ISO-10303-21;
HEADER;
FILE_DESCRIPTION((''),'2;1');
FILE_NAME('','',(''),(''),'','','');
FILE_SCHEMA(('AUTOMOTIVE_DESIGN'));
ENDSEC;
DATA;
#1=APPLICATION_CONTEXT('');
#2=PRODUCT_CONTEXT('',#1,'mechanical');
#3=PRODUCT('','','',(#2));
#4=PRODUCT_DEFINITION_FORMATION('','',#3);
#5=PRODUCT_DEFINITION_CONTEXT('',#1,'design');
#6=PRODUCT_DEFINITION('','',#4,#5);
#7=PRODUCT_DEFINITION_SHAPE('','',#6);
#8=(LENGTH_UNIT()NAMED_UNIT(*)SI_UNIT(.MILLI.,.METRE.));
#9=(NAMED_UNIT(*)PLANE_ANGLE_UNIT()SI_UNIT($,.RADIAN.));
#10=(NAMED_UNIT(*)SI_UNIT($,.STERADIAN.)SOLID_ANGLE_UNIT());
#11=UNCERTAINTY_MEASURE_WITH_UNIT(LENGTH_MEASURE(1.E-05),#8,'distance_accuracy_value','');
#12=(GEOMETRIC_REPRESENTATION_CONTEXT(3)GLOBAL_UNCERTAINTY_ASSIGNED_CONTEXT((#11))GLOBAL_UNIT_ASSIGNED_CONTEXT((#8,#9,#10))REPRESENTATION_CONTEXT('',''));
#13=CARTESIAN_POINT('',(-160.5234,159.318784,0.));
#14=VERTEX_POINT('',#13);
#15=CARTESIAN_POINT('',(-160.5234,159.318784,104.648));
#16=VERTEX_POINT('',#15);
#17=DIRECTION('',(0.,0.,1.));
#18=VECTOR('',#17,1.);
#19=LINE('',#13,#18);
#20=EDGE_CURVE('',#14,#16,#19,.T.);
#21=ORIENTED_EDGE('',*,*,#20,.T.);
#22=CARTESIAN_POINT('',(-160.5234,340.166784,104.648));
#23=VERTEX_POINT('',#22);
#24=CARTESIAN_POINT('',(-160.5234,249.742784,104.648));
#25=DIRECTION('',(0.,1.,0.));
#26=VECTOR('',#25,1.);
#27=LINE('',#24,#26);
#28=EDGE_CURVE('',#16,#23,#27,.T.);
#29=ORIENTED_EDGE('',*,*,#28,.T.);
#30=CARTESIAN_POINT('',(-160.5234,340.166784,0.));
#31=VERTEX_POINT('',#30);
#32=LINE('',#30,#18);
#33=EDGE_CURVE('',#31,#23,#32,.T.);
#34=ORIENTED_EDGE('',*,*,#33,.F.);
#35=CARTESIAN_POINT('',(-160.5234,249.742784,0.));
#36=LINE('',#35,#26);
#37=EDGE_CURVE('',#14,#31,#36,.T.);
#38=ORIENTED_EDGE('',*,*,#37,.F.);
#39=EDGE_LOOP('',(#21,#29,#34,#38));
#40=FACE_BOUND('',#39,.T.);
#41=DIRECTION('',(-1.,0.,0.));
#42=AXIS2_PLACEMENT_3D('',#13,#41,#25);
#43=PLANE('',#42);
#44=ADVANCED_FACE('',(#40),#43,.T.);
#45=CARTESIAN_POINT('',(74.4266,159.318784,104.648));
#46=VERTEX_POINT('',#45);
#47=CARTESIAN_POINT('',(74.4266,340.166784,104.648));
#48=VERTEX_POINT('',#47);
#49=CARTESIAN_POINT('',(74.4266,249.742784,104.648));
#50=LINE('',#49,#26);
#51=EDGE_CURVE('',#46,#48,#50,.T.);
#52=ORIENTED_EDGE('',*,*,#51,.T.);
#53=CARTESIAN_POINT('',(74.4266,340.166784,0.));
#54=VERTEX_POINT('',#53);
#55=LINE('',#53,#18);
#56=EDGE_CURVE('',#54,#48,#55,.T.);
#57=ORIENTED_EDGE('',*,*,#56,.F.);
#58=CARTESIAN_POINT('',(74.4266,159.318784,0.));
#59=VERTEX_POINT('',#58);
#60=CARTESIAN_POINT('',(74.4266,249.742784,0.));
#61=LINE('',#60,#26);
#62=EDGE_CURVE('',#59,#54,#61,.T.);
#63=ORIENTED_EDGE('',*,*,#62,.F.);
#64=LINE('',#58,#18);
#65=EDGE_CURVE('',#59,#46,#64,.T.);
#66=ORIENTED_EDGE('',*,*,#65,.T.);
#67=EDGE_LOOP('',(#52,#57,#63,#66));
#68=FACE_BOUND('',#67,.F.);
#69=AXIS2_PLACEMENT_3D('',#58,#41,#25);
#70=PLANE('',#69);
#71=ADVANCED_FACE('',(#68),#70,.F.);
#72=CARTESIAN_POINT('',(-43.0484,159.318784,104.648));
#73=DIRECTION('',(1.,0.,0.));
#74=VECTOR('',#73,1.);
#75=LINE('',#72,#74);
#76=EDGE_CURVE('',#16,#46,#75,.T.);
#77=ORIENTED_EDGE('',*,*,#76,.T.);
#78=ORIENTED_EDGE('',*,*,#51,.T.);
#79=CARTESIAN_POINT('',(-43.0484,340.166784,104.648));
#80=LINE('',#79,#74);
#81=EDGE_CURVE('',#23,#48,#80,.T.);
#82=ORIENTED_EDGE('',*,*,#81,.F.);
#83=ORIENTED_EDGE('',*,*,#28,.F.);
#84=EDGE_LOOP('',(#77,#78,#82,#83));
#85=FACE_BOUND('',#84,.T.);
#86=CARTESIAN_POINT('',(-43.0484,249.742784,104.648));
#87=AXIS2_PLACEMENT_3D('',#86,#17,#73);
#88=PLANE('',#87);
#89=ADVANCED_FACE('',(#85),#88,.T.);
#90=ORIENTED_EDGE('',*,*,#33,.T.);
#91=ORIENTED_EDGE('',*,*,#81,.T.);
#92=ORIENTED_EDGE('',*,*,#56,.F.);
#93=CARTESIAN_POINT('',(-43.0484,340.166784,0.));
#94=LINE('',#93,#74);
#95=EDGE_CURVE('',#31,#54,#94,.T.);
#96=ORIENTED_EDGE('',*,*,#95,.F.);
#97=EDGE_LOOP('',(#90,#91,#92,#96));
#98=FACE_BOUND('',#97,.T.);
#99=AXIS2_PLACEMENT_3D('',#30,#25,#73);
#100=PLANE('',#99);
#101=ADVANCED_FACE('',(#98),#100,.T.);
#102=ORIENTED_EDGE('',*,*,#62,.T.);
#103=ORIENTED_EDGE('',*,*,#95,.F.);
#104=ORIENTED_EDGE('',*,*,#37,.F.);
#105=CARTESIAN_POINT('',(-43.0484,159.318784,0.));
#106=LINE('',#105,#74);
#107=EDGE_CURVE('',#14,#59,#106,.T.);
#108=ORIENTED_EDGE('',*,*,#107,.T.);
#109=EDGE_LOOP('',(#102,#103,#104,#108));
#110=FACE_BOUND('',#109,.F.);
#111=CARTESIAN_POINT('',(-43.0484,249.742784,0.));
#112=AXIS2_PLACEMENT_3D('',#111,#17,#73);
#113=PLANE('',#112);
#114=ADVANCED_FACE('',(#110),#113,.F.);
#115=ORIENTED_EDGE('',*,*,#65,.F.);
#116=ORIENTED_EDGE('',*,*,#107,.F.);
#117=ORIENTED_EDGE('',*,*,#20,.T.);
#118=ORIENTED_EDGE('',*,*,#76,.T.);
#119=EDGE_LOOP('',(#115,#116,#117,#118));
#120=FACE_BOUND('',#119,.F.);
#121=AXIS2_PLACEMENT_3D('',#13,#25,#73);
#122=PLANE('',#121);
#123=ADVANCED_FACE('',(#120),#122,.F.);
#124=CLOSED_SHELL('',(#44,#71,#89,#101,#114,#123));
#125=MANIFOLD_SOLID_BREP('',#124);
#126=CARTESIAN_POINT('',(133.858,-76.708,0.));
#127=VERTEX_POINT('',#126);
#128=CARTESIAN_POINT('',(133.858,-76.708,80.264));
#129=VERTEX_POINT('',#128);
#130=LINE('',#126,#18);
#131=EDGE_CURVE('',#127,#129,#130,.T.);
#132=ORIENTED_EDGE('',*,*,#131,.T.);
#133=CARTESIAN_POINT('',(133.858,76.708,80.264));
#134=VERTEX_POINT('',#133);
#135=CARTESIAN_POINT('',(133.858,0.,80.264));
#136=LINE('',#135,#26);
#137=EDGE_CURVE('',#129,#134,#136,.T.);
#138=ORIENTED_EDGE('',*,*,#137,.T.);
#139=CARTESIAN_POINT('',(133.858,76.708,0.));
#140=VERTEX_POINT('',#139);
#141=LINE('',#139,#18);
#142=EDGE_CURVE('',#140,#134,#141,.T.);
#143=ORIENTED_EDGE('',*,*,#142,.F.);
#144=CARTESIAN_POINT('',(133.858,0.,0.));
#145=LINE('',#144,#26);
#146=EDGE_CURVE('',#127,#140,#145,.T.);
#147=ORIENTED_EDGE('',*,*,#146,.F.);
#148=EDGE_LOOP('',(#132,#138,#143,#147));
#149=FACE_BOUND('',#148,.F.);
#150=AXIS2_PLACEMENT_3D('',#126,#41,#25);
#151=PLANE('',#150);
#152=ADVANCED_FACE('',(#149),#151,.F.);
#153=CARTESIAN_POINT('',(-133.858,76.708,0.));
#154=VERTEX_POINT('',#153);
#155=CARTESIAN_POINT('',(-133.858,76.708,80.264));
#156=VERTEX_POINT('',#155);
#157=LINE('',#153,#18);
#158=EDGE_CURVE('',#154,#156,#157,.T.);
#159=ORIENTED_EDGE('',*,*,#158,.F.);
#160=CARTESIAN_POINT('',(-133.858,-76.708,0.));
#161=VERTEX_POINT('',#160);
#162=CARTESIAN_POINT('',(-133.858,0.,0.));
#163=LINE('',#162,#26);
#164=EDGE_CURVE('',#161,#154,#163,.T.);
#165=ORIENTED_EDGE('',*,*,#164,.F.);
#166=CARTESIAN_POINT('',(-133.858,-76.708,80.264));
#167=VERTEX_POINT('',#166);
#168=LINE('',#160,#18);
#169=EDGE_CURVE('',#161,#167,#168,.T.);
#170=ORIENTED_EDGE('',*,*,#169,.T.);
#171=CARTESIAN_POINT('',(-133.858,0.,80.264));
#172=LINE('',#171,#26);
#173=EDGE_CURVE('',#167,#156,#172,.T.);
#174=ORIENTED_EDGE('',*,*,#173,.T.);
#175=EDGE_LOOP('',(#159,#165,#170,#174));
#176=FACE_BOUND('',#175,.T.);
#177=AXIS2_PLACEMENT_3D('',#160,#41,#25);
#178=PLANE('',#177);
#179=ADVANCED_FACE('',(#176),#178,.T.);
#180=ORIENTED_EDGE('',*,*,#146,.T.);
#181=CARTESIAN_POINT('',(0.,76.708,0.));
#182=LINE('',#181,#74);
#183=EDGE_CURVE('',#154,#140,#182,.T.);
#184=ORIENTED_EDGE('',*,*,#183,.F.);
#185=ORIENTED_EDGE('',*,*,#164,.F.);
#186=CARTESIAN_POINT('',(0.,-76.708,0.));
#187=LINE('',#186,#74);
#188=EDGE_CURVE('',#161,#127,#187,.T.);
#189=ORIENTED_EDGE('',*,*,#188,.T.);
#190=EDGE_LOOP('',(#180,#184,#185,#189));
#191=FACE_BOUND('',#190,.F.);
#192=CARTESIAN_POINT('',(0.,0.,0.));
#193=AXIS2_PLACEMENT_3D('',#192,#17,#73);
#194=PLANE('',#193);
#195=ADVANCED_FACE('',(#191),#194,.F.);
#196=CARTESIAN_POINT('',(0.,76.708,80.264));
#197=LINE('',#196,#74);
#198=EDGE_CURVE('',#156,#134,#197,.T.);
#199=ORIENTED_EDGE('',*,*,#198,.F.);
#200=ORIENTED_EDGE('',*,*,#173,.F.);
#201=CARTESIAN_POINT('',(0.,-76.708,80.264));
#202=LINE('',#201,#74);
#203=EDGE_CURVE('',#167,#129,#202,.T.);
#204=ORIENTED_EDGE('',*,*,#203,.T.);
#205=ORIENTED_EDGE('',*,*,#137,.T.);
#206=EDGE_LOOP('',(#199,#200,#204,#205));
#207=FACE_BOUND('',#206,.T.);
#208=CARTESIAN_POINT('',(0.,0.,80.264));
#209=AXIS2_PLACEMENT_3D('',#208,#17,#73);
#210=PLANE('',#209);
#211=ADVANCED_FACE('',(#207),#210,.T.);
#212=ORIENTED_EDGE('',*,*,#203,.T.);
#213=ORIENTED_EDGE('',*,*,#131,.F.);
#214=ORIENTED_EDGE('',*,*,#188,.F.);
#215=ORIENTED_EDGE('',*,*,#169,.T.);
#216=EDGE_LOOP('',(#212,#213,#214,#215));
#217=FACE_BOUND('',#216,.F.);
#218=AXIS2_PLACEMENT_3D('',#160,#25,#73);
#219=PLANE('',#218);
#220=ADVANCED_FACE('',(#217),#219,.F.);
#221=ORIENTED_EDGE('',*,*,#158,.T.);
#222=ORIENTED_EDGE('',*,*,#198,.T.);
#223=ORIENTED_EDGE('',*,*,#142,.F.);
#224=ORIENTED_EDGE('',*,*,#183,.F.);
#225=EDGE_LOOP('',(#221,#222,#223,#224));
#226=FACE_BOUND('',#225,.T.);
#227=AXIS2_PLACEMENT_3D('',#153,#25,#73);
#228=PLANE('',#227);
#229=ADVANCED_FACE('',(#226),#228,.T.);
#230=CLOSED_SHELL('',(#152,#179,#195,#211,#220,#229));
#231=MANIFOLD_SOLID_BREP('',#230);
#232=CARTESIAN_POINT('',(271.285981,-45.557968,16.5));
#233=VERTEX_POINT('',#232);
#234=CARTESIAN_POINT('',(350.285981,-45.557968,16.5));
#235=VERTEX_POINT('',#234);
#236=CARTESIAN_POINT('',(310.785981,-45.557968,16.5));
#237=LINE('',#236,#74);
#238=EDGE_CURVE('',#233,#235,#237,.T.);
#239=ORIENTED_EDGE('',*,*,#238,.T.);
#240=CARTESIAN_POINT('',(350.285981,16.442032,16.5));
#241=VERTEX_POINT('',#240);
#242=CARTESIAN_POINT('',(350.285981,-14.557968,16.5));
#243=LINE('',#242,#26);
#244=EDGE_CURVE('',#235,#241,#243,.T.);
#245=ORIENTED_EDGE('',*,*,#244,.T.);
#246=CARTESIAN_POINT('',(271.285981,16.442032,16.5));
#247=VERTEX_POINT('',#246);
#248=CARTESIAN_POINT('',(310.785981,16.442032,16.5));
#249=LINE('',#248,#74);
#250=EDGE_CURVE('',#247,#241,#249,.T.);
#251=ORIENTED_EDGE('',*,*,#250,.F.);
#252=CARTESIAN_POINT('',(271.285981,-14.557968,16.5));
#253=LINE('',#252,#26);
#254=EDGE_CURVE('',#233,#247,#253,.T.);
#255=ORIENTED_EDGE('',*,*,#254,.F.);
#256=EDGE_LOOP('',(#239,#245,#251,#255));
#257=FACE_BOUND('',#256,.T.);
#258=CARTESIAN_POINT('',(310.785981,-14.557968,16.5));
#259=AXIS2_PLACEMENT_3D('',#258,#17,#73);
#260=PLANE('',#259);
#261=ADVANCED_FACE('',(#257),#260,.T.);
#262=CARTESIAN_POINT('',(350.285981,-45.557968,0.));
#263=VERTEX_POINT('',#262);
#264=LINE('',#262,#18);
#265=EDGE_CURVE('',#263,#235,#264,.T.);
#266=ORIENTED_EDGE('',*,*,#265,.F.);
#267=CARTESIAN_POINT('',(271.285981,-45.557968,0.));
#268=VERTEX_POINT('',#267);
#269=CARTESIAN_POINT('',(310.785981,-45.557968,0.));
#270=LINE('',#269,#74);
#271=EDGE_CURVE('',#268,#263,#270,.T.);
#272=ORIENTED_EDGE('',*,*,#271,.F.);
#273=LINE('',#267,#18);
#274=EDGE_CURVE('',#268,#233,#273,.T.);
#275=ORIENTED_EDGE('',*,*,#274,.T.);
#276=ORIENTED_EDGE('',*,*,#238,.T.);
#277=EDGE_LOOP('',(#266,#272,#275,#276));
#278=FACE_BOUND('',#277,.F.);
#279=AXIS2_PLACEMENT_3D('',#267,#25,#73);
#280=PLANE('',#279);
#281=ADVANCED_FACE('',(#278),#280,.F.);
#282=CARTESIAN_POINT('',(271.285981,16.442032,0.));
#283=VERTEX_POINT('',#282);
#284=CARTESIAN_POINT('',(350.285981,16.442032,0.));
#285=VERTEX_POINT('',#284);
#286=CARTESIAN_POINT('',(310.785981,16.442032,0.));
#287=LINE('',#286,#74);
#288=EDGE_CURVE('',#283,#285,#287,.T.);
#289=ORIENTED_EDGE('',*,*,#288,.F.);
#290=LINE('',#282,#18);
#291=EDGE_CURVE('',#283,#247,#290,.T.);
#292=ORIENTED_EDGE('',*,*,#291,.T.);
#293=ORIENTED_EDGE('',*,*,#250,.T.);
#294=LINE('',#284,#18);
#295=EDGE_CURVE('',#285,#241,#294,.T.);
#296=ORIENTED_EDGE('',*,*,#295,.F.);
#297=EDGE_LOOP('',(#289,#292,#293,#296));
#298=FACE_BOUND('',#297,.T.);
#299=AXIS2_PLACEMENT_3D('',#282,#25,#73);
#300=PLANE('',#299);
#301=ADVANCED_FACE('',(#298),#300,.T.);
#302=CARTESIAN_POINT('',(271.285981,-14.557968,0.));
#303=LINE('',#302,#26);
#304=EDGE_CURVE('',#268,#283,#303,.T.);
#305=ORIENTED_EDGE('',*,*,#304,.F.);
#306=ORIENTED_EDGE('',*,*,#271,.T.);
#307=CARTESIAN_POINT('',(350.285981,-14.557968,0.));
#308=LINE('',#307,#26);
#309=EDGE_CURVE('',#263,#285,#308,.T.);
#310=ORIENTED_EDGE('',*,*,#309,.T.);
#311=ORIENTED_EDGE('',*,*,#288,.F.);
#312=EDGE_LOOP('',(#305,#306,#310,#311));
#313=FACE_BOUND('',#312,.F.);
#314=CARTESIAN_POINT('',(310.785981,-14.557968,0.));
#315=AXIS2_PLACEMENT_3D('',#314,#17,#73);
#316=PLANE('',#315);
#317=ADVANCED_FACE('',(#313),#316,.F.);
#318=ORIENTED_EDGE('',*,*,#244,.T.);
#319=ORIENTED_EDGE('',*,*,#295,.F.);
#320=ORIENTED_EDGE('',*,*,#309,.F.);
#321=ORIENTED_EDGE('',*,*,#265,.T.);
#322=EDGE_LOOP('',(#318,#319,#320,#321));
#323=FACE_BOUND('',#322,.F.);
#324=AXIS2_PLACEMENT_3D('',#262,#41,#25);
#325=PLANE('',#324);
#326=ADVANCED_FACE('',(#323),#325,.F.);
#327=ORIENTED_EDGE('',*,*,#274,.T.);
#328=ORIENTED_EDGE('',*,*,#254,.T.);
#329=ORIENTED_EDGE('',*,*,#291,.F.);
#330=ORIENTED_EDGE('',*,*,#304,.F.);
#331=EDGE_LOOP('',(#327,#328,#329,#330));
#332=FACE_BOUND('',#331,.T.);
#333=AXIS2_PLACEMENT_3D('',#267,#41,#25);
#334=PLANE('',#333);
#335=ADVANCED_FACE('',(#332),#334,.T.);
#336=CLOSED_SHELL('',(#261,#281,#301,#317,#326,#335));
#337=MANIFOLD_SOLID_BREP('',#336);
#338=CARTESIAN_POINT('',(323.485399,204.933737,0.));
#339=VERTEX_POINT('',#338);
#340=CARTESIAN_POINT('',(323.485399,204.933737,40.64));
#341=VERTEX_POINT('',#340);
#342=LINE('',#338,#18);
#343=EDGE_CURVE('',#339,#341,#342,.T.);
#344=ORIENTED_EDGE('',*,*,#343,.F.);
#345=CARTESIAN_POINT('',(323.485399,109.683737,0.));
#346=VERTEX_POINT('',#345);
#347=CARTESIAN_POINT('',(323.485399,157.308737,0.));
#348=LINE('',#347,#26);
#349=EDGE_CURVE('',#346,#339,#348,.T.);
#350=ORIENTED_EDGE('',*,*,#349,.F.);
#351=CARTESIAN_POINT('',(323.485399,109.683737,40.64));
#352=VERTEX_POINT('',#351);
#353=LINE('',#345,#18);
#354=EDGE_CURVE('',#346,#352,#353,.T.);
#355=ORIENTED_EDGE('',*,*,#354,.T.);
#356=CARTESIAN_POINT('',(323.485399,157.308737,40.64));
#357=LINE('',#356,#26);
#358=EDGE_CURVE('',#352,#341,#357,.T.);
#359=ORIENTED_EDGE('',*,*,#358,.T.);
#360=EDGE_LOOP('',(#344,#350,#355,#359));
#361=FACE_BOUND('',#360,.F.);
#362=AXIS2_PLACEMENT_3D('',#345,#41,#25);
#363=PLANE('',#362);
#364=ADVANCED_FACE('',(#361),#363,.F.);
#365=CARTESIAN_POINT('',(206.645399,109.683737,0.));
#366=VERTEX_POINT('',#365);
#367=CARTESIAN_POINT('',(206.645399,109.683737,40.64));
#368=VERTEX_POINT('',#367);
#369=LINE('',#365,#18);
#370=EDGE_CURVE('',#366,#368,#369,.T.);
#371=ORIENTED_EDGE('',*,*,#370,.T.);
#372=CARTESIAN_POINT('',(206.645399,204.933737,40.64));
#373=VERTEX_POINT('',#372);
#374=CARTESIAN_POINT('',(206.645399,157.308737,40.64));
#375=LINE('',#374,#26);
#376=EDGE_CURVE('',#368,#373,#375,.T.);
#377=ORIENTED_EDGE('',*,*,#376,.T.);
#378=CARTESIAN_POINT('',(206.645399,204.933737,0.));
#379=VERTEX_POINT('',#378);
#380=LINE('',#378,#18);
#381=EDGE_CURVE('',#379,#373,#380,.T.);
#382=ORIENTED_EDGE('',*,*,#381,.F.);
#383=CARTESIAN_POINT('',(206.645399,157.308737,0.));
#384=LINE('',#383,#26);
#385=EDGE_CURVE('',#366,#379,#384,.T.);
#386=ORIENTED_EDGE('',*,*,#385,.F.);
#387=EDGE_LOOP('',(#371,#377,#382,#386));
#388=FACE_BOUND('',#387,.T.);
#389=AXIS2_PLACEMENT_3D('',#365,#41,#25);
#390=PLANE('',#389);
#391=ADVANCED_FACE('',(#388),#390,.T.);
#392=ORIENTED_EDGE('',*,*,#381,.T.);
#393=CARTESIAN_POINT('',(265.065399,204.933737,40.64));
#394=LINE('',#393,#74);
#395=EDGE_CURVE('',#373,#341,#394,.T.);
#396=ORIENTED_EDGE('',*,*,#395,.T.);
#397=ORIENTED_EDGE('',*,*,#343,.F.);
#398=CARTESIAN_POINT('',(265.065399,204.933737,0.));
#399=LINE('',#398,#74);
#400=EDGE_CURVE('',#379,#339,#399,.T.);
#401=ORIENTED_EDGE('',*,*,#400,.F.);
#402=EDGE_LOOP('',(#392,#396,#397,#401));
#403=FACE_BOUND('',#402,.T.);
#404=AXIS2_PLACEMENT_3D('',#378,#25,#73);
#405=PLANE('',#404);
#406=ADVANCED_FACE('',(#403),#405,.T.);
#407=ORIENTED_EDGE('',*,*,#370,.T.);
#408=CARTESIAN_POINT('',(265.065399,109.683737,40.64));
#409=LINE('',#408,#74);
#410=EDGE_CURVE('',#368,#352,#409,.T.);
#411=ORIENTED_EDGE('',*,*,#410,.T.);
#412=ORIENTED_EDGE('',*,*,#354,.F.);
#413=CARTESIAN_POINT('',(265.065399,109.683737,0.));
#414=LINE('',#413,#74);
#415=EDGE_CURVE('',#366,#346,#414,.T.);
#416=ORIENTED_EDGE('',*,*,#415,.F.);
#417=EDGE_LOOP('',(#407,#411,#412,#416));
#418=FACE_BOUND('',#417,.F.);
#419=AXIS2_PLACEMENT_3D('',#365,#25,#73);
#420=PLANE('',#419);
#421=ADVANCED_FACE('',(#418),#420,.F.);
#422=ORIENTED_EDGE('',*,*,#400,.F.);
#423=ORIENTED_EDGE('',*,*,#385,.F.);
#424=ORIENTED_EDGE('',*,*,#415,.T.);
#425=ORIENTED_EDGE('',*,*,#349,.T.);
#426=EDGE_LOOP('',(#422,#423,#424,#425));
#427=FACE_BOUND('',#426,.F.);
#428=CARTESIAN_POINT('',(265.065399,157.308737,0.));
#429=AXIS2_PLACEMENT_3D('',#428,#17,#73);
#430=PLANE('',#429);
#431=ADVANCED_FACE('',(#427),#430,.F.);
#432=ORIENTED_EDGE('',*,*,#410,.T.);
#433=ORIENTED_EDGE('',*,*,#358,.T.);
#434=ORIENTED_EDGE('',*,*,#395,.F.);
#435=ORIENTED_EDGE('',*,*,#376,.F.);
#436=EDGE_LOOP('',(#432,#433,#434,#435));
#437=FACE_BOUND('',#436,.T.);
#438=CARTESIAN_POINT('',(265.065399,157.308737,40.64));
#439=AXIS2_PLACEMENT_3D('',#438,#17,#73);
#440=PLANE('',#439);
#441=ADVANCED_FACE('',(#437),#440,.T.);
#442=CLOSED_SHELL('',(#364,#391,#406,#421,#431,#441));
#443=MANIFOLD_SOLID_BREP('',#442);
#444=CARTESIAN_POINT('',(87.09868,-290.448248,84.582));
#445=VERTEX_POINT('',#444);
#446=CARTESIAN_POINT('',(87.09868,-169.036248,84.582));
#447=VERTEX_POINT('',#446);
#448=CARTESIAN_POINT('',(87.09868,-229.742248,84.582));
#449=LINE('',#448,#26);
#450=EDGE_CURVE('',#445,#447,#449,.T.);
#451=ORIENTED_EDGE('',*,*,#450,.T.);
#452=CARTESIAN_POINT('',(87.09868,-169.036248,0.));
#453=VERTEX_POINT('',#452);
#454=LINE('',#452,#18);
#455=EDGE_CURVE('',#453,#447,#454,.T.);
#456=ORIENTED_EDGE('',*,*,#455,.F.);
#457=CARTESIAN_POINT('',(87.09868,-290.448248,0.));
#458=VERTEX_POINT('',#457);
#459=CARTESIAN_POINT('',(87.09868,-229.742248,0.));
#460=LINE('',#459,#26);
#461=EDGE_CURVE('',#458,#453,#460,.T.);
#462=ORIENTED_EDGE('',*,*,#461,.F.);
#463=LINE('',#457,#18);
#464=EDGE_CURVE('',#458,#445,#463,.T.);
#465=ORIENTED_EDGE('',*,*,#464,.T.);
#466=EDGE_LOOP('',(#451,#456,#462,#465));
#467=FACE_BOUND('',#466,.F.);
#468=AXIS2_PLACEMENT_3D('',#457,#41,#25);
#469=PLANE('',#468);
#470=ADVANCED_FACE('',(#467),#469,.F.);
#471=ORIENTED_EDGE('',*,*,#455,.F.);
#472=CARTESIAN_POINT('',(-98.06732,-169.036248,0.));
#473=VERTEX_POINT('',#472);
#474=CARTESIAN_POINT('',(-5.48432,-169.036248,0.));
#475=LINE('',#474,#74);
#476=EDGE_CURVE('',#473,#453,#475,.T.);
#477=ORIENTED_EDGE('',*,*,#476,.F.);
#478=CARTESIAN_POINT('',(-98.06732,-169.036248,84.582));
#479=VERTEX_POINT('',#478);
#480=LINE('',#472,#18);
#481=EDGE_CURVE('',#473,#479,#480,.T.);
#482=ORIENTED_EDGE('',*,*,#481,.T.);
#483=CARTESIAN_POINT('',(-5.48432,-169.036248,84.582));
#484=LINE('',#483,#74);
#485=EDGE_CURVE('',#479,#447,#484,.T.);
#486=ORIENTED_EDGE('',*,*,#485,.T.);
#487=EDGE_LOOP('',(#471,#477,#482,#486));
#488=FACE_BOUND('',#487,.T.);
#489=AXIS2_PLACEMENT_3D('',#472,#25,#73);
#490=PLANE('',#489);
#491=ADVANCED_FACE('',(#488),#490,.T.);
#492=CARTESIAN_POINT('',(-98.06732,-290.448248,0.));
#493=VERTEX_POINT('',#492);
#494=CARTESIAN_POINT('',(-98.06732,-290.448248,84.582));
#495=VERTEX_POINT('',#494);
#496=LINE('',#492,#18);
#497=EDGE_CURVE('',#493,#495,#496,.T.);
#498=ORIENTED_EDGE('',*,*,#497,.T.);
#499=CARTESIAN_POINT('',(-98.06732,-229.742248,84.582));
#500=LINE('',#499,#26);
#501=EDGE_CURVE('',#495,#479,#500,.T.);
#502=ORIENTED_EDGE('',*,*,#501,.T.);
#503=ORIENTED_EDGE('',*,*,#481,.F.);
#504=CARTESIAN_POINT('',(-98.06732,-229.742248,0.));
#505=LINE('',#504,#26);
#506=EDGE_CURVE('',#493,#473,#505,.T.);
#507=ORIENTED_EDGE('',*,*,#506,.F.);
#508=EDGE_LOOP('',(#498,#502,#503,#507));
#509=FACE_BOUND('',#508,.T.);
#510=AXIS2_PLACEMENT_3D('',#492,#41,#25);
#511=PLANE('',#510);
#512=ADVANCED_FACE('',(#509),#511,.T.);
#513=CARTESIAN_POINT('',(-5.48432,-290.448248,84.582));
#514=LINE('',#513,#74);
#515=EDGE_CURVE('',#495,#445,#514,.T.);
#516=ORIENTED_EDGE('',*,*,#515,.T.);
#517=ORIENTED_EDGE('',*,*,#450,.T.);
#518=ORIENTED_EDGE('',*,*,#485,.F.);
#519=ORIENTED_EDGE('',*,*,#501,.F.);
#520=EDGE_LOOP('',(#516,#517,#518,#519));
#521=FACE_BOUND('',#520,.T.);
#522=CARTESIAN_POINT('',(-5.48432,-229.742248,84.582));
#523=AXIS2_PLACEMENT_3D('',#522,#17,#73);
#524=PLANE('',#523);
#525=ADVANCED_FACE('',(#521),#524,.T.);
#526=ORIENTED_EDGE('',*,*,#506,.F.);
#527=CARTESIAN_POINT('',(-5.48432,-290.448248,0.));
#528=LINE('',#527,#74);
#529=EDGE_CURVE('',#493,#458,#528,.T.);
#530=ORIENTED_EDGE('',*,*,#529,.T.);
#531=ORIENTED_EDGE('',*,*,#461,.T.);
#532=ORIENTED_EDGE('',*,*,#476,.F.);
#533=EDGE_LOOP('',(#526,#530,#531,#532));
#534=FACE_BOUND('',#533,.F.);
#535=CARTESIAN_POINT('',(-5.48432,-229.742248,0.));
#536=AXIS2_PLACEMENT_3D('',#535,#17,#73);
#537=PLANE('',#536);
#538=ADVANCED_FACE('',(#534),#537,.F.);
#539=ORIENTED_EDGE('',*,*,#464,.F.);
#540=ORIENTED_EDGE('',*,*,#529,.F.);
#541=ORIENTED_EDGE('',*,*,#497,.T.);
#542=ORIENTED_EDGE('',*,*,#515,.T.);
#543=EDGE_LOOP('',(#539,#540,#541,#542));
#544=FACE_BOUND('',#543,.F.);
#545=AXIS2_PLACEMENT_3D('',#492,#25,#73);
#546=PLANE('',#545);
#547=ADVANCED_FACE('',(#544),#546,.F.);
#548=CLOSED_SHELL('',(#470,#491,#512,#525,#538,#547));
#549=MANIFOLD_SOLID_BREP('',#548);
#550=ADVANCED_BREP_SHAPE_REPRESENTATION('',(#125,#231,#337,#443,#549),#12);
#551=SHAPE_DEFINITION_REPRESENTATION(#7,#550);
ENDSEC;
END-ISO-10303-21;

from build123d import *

# Parameters (mm, degrees)
F0_W     = 267.716
F0_H     = 153.416
F1_DEPTH = 80.264
F2_W     = 185.166
F2_H     = 121.412
F3_DEPTH = 84.582
F4_W     = 234.95
F4_H     = 180.848
F5_DEPTH = 104.648
F6_W     = 79
F6_H     = 62
F7_DEPTH = 16.5
F8_W     = 116.84
F8_H     = 95.25
F9_DEPTH = 40.64


with BuildPart() as f1:
    # F0 (on Top) → F1 (new body)
    with BuildSketch(Plane.XY):
        Rectangle(F0_W, F0_H)
    extrude(amount=F1_DEPTH)


with BuildPart() as f3:
    # F2 (on Top) → F3 (new body)
    with BuildSketch(Plane.XY):
        with Locations((-5.48432, -229.742248)):
            Rectangle(F2_W, F2_H)
    extrude(amount=F3_DEPTH)


with BuildPart() as f5:
    # F4 (on Top) → F5 (new body)
    with BuildSketch(Plane.XY):
        with Locations((-43.0484, 249.742784)):
            Rectangle(F4_W, F4_H)
    extrude(amount=F5_DEPTH)


with BuildPart() as f7:
    # F6 (on Top) → F7 (new body)
    with BuildSketch(Plane.XY):
        with Locations((310.785981, -14.557968)):
            Rectangle(F6_W, F6_H)
    extrude(amount=F7_DEPTH)


with BuildPart() as f9:
    # F8 (on Top) → F9 (new body)
    with BuildSketch(Plane.XY):
        with Locations((265.065399, 157.308737)):
            Rectangle(F8_W, F8_H)
    extrude(amount=F9_DEPTH)


solid = Compound([f1.part, f3.part, f5.part, f7.part, f9.part])
